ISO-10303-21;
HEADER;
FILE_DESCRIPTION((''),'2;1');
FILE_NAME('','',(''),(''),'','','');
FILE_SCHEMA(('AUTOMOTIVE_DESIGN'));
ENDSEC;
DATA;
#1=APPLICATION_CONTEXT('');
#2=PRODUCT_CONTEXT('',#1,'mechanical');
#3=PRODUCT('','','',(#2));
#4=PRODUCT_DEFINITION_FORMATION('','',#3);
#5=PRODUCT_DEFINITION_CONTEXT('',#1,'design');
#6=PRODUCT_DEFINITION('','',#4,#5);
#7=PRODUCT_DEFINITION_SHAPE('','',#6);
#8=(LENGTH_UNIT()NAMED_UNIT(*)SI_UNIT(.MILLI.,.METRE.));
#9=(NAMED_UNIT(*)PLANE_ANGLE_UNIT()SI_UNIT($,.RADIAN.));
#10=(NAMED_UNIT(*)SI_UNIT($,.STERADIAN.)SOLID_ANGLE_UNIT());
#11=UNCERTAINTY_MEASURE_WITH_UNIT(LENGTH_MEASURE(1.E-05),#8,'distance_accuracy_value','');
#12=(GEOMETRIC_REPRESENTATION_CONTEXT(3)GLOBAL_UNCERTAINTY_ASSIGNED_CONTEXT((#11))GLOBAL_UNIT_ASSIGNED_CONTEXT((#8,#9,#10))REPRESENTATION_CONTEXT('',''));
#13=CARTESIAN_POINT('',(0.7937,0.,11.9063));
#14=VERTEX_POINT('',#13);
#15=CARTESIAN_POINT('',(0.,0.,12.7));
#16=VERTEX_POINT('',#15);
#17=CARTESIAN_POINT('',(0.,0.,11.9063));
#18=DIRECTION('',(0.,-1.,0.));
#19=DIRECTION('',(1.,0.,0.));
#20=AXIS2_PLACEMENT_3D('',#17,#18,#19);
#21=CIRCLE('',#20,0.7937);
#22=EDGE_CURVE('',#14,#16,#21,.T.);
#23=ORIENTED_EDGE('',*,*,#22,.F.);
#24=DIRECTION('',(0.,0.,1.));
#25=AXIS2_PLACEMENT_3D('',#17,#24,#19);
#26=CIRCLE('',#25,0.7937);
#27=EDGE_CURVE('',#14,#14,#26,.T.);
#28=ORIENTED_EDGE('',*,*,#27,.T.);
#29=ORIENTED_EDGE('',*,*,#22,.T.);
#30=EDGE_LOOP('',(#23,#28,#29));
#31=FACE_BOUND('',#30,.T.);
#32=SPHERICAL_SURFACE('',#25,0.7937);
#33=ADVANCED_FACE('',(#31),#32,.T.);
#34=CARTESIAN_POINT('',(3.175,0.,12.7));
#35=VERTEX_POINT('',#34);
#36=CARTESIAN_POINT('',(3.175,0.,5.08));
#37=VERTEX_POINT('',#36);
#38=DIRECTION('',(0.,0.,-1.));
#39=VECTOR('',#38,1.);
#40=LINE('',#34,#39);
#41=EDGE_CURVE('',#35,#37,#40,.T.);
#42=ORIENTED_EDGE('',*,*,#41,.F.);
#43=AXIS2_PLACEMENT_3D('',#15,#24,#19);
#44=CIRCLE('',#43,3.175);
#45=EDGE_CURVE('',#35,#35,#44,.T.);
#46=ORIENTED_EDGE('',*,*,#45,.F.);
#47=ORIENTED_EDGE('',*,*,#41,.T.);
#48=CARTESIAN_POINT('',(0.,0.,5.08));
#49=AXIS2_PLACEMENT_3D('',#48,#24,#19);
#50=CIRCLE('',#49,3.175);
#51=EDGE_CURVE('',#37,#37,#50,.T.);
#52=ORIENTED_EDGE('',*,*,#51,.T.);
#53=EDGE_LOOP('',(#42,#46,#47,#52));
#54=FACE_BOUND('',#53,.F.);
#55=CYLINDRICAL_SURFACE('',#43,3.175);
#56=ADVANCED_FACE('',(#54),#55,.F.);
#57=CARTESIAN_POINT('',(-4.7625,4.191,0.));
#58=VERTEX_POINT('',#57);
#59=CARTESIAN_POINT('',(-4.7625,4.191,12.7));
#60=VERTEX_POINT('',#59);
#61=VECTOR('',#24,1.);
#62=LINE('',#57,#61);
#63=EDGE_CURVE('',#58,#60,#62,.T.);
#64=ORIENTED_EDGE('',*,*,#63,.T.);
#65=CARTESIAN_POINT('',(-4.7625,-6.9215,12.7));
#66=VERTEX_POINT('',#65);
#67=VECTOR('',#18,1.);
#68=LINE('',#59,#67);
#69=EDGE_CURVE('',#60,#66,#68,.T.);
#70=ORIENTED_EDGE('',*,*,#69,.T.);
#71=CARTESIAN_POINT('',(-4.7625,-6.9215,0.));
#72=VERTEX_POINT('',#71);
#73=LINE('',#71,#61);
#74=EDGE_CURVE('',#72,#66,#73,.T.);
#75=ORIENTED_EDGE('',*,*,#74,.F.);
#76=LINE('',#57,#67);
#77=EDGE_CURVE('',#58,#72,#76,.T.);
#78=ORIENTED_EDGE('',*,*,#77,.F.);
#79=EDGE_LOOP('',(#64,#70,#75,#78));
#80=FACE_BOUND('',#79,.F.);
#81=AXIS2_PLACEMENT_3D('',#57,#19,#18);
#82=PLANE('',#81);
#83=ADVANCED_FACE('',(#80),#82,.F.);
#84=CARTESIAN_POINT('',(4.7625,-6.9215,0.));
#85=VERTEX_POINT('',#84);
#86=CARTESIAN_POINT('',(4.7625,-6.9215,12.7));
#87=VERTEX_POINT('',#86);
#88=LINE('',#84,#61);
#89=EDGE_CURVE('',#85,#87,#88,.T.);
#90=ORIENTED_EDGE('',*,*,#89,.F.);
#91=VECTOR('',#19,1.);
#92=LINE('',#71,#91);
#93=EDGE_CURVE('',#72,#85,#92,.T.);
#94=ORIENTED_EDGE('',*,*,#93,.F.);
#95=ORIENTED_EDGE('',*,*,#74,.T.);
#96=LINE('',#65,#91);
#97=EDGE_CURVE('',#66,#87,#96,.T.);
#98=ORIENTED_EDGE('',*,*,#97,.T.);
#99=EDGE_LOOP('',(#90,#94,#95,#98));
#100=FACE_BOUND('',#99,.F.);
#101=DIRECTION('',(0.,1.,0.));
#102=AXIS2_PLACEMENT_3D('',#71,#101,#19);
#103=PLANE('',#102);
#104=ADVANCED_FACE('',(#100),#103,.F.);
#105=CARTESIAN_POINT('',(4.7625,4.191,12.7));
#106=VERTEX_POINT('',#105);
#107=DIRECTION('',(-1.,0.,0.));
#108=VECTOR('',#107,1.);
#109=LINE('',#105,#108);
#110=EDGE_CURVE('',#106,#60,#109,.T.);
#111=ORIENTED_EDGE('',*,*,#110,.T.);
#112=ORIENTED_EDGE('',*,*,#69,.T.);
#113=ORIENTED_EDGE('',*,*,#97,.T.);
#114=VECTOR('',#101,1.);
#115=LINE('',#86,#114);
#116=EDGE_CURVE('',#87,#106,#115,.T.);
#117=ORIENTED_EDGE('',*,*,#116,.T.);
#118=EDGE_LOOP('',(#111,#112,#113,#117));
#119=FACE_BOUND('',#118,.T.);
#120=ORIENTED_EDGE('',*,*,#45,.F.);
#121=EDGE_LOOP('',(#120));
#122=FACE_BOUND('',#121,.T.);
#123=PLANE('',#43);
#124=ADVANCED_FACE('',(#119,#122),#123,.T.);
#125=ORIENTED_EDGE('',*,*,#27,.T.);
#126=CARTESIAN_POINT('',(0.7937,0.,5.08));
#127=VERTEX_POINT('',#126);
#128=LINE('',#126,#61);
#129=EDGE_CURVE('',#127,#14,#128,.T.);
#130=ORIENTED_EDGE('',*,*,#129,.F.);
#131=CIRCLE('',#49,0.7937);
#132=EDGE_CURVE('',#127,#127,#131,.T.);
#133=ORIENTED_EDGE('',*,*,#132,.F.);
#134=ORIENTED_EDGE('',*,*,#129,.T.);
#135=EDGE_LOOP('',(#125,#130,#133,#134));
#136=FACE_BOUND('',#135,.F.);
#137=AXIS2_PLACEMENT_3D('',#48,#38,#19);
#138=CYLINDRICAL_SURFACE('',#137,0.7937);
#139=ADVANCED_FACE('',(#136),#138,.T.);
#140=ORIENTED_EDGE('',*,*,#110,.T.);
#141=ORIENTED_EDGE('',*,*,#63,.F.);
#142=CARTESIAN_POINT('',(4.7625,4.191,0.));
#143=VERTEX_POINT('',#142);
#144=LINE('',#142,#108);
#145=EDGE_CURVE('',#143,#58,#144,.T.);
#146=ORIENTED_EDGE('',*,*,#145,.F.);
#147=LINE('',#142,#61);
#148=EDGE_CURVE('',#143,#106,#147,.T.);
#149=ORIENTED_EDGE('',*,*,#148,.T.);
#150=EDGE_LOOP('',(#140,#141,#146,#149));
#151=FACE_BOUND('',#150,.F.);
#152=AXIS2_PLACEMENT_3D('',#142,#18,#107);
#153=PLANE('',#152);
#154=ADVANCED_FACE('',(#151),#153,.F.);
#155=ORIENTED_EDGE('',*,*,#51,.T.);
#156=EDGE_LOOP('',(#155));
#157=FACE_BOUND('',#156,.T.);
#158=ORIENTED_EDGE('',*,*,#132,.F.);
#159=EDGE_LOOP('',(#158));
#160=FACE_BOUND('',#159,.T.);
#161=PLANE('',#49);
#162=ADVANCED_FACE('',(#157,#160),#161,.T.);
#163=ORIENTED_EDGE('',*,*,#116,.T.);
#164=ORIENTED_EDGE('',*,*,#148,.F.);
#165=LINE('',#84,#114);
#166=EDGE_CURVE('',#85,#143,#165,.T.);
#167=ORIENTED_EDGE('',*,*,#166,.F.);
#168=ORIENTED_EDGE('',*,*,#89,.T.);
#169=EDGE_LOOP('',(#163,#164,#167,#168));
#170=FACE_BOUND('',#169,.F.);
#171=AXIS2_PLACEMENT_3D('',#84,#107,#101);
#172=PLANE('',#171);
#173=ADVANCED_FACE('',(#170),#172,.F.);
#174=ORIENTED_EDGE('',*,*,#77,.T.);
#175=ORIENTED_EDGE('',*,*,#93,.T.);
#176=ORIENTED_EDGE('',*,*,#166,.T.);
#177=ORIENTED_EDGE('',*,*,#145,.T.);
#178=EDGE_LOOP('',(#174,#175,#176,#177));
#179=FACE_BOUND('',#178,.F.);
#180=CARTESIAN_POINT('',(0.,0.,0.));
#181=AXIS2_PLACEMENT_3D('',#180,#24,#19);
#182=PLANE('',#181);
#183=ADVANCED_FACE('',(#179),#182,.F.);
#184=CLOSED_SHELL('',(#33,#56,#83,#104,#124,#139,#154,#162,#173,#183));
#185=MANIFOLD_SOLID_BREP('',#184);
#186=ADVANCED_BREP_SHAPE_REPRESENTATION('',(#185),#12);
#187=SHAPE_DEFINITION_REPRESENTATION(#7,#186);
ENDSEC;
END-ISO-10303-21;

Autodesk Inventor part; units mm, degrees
ref_plane "YZ Plane" through (0, 0, 0) normal (1, 0, 0) x (0, 1, 0)
ref_plane "XZ Plane" through (0, 0, 0) normal (0, 1, 0) x (-1, 0, 0)
ref_plane "XY Plane" through (0, 0, 0) normal (0, 0, 1) x (1, 0, 0)
sketch "Sketch1" plane through (0, 0, 0) normal (0, 0, 1) x (1, 0, 0)
  line L0 (-4.7625, -6.9215) -> (4.7625, -6.9215)
  line L1 (4.7625, -6.9215) -> (4.7625, 4.191)
  line L2 (4.7625, 4.191) -> (-4.7625, 4.191)
  line L3 (-4.7625, 4.191) -> (-4.7625, -6.9215)
  point P0 (0, 0)
  dimension "d0" = 9.525
  dimension "d1" = 11.1125
  dimension "d2" = 4.7625
  dimension "d3" = 4.191
extrude "Extrusion1" add sketch "Sketch1" along normal blind 12.7
sketch "Sketch2" plane through (0, 0, 12.7) normal (0, 0, 1) x (1, 0, 0)
  circle A0 centre (0, 0) radius 3.175
  dimension "d6" = 6.35
extrude "Extrusion2" cut sketch "Sketch2" against normal blind 7.62
sketch "Sketch3" plane through (0, 0, 5.08) normal (0, 0, 1) x (1, 0, 0)
  circle A0 centre (0, 0) radius 0.7937
  dimension "d9" = 1.5875
extrude "Extrusion3" add sketch "Sketch3" along normal blind 7.62
fillet "Fillet1" radius 0.7937 1 edges at (-0.7937, 0, 12.7)
equation "\"d2\" = 0.5 * d0"
properties part number "Plug"
